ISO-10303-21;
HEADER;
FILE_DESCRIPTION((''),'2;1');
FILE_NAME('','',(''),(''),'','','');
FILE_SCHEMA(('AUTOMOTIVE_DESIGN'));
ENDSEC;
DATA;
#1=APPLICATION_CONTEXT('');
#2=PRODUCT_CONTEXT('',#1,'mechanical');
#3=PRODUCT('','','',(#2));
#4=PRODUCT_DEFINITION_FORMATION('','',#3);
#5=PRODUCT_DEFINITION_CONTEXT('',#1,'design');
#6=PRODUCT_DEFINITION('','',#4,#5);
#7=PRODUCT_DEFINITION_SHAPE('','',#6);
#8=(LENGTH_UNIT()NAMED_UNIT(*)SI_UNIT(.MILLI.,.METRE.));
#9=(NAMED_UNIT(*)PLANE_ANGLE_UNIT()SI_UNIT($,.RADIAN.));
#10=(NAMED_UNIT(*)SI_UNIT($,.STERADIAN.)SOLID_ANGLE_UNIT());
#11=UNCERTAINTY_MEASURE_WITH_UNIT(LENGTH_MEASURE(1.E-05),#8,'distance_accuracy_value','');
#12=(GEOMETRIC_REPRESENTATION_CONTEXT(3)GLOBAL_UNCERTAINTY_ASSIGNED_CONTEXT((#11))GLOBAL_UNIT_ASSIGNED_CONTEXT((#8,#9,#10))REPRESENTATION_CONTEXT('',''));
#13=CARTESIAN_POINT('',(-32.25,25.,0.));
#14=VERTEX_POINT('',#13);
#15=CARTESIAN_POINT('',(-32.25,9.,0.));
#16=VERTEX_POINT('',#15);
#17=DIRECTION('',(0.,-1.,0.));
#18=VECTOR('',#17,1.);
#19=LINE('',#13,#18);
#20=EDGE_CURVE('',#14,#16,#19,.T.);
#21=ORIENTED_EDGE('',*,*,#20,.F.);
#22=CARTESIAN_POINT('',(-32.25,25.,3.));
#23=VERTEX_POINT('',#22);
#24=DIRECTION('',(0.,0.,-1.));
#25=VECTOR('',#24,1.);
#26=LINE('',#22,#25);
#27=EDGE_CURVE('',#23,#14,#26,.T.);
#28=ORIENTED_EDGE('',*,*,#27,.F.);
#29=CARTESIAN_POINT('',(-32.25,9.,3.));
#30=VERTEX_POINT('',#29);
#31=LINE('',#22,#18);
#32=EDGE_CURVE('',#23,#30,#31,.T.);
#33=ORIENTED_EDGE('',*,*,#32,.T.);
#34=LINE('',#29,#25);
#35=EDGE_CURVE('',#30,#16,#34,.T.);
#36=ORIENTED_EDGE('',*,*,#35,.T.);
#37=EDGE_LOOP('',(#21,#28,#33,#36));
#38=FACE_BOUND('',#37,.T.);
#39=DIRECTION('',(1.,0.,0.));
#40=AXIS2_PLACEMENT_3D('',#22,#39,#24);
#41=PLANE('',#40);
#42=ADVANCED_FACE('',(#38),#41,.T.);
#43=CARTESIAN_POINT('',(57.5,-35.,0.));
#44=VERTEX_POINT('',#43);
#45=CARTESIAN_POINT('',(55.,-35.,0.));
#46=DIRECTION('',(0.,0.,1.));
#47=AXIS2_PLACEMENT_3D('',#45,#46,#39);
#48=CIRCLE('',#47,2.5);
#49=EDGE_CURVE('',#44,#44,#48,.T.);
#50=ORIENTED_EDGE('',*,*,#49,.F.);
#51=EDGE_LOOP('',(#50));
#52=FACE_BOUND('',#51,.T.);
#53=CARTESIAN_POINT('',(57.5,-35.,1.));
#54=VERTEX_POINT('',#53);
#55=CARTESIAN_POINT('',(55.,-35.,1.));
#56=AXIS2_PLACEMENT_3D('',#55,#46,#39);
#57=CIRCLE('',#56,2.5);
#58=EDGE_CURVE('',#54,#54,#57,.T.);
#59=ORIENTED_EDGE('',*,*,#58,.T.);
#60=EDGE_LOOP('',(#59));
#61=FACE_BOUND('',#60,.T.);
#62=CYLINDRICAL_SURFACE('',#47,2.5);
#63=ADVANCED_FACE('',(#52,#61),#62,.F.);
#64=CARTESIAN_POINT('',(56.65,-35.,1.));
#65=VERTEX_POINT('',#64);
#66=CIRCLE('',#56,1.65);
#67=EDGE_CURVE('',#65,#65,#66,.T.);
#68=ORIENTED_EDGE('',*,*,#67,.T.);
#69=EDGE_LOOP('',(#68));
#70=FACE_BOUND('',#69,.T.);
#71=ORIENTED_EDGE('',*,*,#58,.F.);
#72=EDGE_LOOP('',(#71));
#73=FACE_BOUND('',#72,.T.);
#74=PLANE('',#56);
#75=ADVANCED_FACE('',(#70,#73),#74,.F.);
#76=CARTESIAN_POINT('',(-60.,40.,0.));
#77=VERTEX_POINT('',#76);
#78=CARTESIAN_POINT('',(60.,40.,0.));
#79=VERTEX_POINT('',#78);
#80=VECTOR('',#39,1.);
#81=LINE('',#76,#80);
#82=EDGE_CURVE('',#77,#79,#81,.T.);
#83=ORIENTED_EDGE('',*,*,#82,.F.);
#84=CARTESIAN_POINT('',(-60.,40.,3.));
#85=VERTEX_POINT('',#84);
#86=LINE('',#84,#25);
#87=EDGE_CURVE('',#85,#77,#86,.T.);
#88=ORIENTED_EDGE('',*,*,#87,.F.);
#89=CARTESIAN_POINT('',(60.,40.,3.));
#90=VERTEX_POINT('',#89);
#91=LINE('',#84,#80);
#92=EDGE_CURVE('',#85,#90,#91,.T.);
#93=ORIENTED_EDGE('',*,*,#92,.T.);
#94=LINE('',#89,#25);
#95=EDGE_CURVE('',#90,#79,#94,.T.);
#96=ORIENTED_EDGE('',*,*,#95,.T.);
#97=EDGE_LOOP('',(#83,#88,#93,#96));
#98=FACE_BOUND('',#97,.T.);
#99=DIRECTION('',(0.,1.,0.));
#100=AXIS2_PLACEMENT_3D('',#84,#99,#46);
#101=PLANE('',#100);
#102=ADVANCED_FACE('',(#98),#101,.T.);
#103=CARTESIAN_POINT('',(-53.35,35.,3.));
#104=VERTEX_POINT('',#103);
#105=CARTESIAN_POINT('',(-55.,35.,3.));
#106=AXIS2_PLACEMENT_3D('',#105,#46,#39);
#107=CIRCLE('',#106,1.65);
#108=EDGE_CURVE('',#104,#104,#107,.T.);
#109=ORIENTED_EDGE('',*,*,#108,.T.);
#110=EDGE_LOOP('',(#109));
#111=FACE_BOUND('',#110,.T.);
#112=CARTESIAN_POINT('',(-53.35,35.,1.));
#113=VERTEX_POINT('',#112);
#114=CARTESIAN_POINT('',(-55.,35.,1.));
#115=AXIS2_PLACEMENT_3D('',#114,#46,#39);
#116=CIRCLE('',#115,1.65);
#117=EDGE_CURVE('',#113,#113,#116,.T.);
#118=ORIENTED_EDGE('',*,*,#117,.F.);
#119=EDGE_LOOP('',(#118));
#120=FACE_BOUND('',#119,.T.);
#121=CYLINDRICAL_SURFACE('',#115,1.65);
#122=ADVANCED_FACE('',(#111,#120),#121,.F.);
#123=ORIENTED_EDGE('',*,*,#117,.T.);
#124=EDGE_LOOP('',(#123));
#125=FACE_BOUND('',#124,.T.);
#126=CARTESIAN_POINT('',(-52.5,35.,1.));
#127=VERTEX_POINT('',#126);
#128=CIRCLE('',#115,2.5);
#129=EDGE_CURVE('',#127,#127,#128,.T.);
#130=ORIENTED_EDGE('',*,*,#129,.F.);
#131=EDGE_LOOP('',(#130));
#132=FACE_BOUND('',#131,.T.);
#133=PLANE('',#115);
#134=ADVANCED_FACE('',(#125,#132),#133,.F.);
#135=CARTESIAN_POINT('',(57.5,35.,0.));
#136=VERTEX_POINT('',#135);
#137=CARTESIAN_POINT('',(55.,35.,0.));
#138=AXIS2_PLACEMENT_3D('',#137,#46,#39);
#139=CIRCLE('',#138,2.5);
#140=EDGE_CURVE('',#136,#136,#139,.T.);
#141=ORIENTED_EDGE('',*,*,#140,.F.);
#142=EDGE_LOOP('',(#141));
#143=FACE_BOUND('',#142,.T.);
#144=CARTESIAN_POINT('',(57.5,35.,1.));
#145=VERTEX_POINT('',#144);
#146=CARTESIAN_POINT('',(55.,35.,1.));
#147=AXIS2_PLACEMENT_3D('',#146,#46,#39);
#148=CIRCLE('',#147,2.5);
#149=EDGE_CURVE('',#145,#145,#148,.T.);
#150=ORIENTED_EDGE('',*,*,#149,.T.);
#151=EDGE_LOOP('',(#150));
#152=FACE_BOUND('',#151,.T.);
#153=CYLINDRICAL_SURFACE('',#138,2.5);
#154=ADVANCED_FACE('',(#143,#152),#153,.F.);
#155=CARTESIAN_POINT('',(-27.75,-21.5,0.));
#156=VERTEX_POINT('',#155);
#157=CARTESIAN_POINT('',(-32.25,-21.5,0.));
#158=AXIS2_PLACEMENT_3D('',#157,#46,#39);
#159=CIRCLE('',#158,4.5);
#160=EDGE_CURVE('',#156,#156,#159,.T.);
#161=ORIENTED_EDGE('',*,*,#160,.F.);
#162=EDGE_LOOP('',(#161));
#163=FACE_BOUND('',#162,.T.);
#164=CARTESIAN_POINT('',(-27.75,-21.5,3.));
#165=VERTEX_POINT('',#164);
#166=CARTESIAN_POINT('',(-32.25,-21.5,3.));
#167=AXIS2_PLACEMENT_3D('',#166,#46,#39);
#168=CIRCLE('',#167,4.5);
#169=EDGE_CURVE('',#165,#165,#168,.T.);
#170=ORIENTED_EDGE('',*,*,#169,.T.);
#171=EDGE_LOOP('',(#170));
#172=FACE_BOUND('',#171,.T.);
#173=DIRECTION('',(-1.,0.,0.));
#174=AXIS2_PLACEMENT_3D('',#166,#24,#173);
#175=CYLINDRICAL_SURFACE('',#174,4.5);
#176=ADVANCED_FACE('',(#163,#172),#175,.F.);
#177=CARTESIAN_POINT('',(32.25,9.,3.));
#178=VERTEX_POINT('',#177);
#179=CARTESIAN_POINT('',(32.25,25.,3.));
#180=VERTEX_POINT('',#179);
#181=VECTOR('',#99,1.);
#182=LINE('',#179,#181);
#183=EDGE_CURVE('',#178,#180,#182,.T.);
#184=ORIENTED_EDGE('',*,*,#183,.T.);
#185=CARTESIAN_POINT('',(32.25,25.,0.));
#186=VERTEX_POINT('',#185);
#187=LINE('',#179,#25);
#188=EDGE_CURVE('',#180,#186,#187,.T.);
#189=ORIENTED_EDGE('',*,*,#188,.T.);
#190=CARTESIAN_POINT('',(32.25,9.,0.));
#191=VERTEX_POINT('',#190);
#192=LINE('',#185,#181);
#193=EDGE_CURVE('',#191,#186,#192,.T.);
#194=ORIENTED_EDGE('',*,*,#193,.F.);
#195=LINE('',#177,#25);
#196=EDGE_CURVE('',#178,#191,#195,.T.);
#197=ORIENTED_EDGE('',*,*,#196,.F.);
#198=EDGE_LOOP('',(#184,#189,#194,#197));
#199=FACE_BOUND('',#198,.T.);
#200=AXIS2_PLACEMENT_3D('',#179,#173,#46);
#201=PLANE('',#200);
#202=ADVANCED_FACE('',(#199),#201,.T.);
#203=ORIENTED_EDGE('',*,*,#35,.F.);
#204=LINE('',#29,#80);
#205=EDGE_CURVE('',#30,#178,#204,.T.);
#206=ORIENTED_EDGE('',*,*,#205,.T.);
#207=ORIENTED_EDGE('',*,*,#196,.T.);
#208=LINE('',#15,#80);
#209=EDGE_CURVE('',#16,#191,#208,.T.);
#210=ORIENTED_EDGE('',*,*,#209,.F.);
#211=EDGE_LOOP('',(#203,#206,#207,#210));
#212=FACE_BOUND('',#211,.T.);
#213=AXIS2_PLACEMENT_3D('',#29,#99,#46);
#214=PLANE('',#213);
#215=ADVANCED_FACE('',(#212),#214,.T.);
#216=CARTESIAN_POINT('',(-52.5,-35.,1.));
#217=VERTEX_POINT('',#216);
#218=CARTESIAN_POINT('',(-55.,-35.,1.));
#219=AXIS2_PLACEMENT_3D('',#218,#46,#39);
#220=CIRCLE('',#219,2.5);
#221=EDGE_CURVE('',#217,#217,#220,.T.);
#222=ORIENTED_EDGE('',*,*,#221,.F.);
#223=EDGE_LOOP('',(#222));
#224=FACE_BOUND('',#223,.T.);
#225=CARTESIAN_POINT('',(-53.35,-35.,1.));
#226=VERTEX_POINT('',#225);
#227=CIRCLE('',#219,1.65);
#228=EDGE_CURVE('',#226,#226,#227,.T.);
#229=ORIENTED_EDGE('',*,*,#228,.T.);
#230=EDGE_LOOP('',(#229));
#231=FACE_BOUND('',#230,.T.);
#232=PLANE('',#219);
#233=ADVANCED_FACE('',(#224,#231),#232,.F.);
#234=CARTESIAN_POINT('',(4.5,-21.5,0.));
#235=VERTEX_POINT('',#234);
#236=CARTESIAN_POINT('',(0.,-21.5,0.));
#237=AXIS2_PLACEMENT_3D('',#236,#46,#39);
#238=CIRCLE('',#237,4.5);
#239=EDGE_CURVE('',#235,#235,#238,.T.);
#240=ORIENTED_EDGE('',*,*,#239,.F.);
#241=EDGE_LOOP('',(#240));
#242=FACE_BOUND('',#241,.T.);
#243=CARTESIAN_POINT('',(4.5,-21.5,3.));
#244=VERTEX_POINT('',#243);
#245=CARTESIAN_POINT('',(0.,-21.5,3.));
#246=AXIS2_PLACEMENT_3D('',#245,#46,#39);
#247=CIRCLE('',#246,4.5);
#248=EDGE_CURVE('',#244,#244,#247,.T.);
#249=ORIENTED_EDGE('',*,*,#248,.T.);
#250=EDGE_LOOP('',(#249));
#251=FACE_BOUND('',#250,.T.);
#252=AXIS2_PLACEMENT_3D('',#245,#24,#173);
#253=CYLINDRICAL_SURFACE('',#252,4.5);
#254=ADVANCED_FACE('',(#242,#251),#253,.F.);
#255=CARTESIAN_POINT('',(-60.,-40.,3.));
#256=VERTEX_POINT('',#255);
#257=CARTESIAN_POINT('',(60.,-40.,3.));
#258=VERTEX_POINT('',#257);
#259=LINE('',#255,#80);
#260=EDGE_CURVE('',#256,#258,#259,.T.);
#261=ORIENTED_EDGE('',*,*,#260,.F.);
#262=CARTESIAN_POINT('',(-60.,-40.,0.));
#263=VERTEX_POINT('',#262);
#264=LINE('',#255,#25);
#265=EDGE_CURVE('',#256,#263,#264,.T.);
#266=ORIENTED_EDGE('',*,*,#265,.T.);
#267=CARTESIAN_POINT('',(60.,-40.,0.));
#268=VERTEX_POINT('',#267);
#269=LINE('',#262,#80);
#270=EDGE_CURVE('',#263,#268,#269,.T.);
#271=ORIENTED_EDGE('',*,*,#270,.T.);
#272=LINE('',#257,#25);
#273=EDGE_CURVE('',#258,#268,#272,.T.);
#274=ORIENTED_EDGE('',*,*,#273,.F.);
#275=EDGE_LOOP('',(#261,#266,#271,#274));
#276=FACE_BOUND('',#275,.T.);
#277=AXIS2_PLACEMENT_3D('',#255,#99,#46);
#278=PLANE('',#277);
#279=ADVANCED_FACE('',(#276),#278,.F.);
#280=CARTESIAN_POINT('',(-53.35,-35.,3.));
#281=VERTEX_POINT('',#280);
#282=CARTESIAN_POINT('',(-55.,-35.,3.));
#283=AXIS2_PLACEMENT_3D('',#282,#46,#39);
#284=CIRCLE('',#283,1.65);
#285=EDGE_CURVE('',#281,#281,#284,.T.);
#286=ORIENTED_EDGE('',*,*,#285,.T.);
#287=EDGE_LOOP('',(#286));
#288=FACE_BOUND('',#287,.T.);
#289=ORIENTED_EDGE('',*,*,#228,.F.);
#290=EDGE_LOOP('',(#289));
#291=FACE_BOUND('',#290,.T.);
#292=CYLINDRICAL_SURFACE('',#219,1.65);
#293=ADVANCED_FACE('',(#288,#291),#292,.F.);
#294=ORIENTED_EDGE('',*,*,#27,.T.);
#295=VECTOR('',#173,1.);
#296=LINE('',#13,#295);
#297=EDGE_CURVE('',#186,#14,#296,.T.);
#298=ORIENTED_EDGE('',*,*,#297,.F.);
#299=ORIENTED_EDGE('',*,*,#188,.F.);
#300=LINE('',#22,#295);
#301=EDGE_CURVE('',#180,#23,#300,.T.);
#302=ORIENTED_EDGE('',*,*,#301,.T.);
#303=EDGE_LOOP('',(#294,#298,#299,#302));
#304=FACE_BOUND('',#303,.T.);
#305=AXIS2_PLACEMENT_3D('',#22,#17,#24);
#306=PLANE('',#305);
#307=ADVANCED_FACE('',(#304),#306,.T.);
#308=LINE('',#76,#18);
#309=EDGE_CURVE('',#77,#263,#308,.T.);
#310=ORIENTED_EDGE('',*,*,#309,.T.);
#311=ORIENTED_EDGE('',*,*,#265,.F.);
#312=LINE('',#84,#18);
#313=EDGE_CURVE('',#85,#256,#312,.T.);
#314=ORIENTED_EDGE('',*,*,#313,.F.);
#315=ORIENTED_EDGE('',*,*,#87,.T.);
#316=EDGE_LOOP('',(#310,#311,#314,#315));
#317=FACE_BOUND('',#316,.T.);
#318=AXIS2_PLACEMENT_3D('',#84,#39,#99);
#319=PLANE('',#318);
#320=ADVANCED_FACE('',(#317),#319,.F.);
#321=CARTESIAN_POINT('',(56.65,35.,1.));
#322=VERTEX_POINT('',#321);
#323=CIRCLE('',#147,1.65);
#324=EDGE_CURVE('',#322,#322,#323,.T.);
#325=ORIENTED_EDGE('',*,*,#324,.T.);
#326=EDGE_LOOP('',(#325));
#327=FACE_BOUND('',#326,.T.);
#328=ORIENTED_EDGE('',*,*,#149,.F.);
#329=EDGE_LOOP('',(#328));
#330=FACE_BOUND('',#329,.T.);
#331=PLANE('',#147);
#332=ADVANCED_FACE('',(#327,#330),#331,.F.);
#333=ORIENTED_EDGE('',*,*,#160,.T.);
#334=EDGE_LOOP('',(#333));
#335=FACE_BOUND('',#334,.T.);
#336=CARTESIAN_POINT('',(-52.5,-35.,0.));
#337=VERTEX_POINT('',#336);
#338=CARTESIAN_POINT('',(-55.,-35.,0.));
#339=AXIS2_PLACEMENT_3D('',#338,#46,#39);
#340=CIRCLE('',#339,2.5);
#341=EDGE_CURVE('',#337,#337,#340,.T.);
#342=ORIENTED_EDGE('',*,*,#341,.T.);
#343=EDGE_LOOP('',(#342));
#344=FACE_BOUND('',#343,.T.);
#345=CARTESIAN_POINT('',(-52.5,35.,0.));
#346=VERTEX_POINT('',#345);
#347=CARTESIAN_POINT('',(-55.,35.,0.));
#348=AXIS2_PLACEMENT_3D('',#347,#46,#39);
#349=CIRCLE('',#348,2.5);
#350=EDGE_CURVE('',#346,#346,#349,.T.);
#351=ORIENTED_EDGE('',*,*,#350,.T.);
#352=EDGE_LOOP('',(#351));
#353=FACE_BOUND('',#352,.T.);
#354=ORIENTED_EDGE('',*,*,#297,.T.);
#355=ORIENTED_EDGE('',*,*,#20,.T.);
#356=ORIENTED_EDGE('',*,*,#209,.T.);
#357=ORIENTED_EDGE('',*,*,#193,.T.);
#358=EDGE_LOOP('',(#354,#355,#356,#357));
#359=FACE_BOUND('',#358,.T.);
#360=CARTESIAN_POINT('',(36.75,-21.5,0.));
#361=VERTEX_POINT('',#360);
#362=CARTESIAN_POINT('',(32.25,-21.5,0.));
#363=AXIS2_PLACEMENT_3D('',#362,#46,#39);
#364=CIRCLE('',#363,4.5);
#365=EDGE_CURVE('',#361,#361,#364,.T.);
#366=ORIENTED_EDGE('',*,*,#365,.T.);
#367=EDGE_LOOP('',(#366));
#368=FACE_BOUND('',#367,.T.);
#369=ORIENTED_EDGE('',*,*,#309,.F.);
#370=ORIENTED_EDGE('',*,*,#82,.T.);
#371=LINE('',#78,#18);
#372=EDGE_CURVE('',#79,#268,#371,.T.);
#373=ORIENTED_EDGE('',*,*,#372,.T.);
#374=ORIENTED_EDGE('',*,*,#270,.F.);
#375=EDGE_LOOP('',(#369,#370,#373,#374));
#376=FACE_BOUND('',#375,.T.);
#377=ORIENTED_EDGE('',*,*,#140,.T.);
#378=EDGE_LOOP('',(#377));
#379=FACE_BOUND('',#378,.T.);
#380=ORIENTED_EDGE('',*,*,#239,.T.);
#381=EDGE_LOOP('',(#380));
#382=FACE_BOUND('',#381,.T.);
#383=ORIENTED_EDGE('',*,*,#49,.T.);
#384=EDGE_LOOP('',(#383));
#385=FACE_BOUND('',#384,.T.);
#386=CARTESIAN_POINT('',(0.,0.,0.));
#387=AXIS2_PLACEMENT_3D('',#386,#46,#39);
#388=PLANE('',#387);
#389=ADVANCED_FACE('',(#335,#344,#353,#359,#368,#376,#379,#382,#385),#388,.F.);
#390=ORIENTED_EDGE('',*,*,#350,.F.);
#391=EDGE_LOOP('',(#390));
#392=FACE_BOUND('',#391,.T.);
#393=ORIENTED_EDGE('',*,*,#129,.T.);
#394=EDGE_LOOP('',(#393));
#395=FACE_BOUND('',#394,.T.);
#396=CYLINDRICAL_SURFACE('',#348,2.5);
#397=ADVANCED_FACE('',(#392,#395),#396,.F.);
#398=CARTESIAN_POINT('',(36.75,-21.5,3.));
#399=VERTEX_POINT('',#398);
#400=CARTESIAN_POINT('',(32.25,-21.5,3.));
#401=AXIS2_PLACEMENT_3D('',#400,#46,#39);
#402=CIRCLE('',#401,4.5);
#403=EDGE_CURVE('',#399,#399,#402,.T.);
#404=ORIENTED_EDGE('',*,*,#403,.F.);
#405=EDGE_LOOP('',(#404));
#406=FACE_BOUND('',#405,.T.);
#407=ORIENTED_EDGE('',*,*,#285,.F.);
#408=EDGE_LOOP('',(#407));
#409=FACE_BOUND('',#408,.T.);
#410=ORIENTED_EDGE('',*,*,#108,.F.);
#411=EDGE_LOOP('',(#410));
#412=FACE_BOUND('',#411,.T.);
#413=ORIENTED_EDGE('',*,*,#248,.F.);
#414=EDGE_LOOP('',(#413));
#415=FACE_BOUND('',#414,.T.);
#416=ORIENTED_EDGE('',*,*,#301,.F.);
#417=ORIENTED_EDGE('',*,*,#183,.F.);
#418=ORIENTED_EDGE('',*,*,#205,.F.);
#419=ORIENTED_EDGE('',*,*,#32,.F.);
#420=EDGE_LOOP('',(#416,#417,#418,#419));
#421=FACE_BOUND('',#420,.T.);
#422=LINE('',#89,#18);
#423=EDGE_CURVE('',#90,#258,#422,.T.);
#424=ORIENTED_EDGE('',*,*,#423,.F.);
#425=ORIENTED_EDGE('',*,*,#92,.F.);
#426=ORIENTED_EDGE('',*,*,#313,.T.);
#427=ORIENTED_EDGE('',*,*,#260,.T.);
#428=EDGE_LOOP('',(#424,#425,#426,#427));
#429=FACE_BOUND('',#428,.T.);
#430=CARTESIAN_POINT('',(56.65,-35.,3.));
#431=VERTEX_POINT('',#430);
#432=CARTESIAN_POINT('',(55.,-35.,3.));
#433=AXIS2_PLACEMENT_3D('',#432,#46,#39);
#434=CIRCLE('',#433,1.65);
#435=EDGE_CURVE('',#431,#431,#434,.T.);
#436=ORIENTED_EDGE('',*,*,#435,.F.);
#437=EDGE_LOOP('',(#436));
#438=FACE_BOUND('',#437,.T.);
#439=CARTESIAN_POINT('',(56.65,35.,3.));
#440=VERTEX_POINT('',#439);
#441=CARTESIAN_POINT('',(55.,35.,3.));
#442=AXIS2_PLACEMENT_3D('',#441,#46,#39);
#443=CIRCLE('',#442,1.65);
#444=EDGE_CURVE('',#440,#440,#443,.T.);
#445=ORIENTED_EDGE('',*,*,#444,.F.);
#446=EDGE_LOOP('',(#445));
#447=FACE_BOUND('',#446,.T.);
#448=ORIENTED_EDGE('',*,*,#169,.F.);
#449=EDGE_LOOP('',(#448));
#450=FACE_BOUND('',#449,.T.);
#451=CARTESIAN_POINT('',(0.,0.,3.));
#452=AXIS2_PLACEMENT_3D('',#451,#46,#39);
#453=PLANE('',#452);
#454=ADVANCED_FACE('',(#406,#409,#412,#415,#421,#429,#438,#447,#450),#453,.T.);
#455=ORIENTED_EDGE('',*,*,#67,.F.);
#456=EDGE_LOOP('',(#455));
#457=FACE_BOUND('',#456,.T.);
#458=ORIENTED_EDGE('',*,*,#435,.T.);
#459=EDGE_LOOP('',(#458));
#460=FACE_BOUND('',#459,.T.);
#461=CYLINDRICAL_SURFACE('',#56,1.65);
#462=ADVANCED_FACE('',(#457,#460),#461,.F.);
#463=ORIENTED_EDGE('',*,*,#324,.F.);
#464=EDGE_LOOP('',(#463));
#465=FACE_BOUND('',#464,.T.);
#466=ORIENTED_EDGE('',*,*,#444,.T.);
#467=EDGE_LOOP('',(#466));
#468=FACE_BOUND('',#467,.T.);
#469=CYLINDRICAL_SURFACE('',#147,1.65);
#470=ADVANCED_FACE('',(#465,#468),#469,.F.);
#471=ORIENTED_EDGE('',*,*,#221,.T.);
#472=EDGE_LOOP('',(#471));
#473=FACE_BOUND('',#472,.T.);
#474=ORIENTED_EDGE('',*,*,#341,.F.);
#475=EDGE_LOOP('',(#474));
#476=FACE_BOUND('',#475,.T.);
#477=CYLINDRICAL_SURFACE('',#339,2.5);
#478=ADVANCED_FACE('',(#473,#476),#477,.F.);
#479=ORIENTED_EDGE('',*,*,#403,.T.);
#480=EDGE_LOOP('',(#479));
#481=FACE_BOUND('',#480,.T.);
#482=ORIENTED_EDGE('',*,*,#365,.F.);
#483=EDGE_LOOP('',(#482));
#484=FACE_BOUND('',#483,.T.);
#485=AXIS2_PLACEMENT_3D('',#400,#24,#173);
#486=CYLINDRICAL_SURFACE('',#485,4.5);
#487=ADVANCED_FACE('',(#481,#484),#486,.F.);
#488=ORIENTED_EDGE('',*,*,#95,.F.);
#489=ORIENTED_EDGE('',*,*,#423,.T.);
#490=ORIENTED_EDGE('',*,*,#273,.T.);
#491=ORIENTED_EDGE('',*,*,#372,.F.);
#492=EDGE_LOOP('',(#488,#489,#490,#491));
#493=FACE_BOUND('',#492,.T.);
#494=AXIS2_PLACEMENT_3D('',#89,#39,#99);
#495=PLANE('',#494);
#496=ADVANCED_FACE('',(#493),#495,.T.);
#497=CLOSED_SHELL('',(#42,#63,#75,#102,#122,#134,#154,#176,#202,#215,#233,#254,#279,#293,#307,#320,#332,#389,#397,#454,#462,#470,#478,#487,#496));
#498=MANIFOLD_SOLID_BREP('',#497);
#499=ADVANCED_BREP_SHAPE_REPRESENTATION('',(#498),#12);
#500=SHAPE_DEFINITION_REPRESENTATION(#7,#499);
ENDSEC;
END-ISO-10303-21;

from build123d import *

# Parameters (mm, degrees)
SKICA1_W                 = 120
SKICA1_H                 = 80
P_IDAT_VYSUNUT_M3_DEPTH  = 3
SKICA1_4_OUTSIDE_W       = 150.85
SKICA1_4_OUTSIDE_H       = 110.85
SKICA1_4_OUTSIDE_W_2     = 120
SKICA1_4_OUTSIDE_H_2     = 80
SKICA1_4_OUTSIDE_R       = 4.5
SKICA1_4_OUTSIDE_W_3     = 64.5
SKICA1_4_OUTSIDE_H_3     = 16
ODEBRAT_VYSUNUT_M1_DEPTH = 3
SKICA5_R                 = 1.65
ODEBRAT_VYSUNUT_M3_DEPTH = 2
SKICA6_R                 = 2.5
ODEBRAT_VYSUNUT_M6_DEPTH = 1


with BuildPart() as part:
    # Skica1 → Přidat vysunutím3 (new body)
    with BuildSketch(Plane.XY):
        Rectangle(SKICA1_W, SKICA1_H)
    extrude(amount=P_IDAT_VYSUNUT_M3_DEPTH)

    # Skica1<4> outside → Odebrat vysunutím1 (cut)
    # profile 1 of 5: a face of its own
    with BuildSketch(Plane.XY):
        Rectangle(SKICA1_4_OUTSIDE_W, SKICA1_4_OUTSIDE_H)
        Rectangle(SKICA1_4_OUTSIDE_W_2, SKICA1_4_OUTSIDE_H_2, mode=Mode.SUBTRACT)
    # profile 2 of 5: a face of its own
    with BuildSketch(Plane.XY):
        with Locations((-32.25, -21.5)):
            Circle(SKICA1_4_OUTSIDE_R)
    # profile 3 of 5: a face of its own
    with BuildSketch(Plane.XY):
        with Locations((0, -21.5)):
            Circle(SKICA1_4_OUTSIDE_R)
    # profile 4 of 5: a face of its own
    with BuildSketch(Plane.XY):
        with Locations((32.25, -21.5)):
            Circle(SKICA1_4_OUTSIDE_R)
    # profile 5 of 5: a face of its own
    with BuildSketch(Plane.XY):
        with Locations((0, 17)):
            Rectangle(SKICA1_4_OUTSIDE_W_3, SKICA1_4_OUTSIDE_H_3)
    extrude(amount=ODEBRAT_VYSUNUT_M1_DEPTH, mode=Mode.SUBTRACT)

    # Skica5 → Odebrat vysunutím3 (cut)
    with BuildSketch(Plane.XY.offset(3)):
        with Locations((-55, 35)):
            Circle(SKICA5_R)
        with Locations((55, 35)):
            Circle(SKICA5_R)
        with Locations((-55, -35)):
            Circle(SKICA5_R)
        with Locations((55, -35)):
            Circle(SKICA5_R)
    extrude(amount=-ODEBRAT_VYSUNUT_M3_DEPTH, mode=Mode.SUBTRACT)

    # Skica6 → Odebrat vysunutím6 (cut)
    with BuildSketch(Plane.XY.offset(1)):
        with Locations((-55, 35)):
            Circle(SKICA6_R)
        with Locations((55, 35)):
            Circle(SKICA6_R)
        with Locations((55, -35)):
            Circle(SKICA6_R)
        with Locations((-55, -35)):
            Circle(SKICA6_R)
    extrude(amount=-ODEBRAT_VYSUNUT_M6_DEPTH, mode=Mode.SUBTRACT)


solid = part.part
